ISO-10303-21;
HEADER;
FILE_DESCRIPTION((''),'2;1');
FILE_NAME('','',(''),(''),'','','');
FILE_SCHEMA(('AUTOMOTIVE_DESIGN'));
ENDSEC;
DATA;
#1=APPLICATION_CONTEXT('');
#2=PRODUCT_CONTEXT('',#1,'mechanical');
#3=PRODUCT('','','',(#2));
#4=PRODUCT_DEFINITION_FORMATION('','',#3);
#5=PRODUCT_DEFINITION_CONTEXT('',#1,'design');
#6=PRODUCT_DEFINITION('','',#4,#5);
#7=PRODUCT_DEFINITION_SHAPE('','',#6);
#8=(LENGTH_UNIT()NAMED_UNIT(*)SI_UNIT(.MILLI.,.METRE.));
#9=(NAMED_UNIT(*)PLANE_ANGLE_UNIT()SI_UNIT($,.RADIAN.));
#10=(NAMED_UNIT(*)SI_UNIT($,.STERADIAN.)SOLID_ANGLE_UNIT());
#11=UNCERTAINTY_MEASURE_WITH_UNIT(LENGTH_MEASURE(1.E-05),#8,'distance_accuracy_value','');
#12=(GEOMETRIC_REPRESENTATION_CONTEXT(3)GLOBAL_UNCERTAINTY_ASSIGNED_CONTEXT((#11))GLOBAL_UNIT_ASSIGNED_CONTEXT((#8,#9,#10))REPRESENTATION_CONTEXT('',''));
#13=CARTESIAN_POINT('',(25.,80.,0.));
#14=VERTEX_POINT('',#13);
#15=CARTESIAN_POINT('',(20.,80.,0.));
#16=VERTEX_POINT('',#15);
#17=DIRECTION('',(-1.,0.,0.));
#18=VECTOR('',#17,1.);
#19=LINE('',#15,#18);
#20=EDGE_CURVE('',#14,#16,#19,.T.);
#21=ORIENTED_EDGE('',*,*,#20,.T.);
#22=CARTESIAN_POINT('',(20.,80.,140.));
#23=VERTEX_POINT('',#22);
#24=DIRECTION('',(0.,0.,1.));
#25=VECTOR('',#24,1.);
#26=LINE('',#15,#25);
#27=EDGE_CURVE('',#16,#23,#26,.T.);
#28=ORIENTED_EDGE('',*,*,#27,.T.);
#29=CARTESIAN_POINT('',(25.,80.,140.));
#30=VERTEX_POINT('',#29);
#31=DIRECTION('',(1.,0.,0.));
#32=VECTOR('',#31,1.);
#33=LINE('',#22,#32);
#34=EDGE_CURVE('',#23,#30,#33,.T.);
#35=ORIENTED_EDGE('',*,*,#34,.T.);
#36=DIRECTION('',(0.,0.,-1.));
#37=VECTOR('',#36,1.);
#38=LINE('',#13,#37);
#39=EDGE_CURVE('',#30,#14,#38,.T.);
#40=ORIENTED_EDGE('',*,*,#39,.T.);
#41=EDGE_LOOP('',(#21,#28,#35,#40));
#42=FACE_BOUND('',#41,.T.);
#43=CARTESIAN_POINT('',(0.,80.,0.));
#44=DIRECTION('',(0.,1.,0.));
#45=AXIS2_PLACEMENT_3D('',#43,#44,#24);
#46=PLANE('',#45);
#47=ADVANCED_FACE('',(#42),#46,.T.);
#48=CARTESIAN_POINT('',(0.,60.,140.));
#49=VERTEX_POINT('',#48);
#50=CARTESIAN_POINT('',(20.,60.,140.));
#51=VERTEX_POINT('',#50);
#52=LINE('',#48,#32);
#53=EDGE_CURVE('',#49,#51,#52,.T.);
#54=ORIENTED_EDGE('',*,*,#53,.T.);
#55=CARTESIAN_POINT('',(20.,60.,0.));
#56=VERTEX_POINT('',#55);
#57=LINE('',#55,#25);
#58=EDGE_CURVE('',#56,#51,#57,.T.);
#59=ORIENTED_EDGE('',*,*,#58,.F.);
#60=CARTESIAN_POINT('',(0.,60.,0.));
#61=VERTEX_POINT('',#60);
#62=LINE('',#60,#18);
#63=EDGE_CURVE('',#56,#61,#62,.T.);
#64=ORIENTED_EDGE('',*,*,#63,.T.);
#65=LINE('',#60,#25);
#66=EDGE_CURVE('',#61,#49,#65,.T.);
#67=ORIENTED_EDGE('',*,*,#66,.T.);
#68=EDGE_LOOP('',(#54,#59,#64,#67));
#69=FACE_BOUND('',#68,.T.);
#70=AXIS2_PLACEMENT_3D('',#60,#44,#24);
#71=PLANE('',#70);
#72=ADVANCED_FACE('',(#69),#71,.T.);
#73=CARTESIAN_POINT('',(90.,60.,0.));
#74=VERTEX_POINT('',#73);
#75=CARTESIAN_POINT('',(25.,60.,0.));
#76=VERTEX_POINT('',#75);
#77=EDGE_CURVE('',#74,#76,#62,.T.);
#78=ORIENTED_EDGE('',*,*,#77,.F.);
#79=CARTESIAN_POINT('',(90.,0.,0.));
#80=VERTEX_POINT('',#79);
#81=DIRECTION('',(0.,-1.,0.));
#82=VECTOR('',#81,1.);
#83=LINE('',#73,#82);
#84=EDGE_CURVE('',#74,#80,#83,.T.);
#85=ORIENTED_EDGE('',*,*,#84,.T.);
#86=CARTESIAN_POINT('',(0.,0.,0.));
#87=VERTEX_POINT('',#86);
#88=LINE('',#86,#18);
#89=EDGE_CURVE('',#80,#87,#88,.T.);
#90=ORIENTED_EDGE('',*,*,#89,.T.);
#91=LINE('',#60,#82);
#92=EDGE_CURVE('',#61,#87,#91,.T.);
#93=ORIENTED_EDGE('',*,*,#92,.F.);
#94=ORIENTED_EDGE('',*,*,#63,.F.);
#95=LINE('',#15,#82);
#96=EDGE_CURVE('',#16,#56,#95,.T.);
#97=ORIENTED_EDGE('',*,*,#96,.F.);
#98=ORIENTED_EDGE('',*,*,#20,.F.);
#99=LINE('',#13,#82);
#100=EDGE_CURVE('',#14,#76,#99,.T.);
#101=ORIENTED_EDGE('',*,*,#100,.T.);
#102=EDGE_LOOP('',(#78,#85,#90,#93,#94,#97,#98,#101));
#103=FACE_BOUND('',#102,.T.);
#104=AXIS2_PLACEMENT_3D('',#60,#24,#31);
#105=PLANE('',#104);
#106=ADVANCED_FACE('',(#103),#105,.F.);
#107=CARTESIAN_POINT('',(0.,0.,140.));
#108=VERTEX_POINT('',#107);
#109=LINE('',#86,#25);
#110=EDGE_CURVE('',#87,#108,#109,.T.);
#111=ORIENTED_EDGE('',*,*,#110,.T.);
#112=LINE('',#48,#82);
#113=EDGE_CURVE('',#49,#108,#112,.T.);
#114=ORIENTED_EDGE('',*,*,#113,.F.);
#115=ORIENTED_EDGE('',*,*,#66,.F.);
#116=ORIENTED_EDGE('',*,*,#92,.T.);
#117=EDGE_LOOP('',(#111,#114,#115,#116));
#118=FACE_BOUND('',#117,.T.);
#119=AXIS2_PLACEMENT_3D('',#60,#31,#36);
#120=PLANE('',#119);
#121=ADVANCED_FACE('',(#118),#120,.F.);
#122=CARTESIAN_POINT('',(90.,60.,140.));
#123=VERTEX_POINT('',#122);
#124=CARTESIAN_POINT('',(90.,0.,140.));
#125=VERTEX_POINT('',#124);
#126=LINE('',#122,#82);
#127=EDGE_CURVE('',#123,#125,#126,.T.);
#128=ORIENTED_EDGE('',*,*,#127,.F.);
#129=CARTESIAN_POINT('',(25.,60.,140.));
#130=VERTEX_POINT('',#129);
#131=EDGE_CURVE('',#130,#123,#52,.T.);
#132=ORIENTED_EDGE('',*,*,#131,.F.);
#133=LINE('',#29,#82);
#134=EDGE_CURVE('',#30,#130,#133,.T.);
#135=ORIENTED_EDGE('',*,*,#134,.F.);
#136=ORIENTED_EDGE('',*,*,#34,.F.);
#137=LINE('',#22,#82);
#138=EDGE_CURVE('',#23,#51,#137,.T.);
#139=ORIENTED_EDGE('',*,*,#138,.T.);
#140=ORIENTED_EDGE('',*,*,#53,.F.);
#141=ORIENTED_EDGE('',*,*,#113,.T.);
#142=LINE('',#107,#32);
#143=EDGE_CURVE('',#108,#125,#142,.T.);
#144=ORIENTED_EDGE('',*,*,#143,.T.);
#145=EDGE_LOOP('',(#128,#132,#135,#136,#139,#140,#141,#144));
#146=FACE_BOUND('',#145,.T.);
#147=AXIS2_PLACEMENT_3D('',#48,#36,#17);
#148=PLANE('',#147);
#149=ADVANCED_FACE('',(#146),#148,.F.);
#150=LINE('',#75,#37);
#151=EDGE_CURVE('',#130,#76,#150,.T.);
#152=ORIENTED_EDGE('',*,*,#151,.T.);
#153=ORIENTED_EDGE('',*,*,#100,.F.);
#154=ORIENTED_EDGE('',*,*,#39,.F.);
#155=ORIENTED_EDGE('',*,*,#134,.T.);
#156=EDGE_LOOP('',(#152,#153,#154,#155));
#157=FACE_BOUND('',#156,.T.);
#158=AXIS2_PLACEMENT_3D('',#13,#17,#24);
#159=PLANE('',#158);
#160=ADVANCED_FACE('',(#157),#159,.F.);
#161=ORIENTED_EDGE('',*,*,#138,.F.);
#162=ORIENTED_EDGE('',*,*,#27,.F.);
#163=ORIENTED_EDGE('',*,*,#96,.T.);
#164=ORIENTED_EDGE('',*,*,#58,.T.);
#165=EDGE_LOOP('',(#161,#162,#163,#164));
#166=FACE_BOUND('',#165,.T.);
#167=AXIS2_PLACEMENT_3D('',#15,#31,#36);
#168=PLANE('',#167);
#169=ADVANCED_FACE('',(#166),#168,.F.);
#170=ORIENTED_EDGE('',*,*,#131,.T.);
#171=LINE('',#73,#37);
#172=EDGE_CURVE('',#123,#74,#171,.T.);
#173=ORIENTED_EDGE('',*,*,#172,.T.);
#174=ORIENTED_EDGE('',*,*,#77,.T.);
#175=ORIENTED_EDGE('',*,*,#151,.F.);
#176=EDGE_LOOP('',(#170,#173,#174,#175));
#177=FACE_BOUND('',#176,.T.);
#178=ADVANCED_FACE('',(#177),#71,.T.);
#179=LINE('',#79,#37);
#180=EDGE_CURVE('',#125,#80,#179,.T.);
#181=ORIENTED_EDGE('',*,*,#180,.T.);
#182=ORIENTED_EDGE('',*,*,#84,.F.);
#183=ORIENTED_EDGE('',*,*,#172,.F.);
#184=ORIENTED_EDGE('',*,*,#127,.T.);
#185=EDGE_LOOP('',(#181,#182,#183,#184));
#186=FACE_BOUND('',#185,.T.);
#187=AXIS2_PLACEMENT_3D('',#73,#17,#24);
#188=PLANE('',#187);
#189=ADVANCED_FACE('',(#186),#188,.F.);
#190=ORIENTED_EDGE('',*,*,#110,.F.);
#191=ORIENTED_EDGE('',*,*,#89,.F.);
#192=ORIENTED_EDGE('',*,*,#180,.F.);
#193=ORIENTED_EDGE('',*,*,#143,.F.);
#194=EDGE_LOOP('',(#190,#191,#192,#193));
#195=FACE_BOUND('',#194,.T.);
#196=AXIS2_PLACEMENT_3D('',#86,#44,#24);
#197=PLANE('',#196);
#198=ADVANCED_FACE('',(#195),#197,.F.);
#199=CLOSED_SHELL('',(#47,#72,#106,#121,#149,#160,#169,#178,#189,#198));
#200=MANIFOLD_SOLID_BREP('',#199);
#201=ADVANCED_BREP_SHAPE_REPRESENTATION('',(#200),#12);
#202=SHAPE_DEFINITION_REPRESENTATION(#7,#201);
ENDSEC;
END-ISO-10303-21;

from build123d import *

# Parameters (mm, degrees)
SKETCH1_W           = 90
SKETCH1_H           = 140
BOSS_EXTRUDE1_DEPTH = 60
SKETCH2_W           = 5
SKETCH2_H           = 140
BOSS_EXTRUDE2_DEPTH = 20


with BuildPart() as part:
    # Sketch1 → Boss-Extrude1 (new body)
    with BuildSketch(Plane(origin=(0, 0, 0), x_dir=(1, 0, 0), z_dir=(0, 1, 0))):
        with Locations((45, -70)):
            Rectangle(SKETCH1_W, SKETCH1_H)
    extrude(amount=BOSS_EXTRUDE1_DEPTH)

    # Sketch2 → Boss-Extrude2 (add)
    with BuildSketch(Plane(origin=(0, 60, 0), x_dir=(1, 0, 0), z_dir=(0, 1, 0))):
        with Locations((22.5, -70)):
            Rectangle(SKETCH2_W, SKETCH2_H)
    extrude(amount=BOSS_EXTRUDE2_DEPTH)


solid = part.part
